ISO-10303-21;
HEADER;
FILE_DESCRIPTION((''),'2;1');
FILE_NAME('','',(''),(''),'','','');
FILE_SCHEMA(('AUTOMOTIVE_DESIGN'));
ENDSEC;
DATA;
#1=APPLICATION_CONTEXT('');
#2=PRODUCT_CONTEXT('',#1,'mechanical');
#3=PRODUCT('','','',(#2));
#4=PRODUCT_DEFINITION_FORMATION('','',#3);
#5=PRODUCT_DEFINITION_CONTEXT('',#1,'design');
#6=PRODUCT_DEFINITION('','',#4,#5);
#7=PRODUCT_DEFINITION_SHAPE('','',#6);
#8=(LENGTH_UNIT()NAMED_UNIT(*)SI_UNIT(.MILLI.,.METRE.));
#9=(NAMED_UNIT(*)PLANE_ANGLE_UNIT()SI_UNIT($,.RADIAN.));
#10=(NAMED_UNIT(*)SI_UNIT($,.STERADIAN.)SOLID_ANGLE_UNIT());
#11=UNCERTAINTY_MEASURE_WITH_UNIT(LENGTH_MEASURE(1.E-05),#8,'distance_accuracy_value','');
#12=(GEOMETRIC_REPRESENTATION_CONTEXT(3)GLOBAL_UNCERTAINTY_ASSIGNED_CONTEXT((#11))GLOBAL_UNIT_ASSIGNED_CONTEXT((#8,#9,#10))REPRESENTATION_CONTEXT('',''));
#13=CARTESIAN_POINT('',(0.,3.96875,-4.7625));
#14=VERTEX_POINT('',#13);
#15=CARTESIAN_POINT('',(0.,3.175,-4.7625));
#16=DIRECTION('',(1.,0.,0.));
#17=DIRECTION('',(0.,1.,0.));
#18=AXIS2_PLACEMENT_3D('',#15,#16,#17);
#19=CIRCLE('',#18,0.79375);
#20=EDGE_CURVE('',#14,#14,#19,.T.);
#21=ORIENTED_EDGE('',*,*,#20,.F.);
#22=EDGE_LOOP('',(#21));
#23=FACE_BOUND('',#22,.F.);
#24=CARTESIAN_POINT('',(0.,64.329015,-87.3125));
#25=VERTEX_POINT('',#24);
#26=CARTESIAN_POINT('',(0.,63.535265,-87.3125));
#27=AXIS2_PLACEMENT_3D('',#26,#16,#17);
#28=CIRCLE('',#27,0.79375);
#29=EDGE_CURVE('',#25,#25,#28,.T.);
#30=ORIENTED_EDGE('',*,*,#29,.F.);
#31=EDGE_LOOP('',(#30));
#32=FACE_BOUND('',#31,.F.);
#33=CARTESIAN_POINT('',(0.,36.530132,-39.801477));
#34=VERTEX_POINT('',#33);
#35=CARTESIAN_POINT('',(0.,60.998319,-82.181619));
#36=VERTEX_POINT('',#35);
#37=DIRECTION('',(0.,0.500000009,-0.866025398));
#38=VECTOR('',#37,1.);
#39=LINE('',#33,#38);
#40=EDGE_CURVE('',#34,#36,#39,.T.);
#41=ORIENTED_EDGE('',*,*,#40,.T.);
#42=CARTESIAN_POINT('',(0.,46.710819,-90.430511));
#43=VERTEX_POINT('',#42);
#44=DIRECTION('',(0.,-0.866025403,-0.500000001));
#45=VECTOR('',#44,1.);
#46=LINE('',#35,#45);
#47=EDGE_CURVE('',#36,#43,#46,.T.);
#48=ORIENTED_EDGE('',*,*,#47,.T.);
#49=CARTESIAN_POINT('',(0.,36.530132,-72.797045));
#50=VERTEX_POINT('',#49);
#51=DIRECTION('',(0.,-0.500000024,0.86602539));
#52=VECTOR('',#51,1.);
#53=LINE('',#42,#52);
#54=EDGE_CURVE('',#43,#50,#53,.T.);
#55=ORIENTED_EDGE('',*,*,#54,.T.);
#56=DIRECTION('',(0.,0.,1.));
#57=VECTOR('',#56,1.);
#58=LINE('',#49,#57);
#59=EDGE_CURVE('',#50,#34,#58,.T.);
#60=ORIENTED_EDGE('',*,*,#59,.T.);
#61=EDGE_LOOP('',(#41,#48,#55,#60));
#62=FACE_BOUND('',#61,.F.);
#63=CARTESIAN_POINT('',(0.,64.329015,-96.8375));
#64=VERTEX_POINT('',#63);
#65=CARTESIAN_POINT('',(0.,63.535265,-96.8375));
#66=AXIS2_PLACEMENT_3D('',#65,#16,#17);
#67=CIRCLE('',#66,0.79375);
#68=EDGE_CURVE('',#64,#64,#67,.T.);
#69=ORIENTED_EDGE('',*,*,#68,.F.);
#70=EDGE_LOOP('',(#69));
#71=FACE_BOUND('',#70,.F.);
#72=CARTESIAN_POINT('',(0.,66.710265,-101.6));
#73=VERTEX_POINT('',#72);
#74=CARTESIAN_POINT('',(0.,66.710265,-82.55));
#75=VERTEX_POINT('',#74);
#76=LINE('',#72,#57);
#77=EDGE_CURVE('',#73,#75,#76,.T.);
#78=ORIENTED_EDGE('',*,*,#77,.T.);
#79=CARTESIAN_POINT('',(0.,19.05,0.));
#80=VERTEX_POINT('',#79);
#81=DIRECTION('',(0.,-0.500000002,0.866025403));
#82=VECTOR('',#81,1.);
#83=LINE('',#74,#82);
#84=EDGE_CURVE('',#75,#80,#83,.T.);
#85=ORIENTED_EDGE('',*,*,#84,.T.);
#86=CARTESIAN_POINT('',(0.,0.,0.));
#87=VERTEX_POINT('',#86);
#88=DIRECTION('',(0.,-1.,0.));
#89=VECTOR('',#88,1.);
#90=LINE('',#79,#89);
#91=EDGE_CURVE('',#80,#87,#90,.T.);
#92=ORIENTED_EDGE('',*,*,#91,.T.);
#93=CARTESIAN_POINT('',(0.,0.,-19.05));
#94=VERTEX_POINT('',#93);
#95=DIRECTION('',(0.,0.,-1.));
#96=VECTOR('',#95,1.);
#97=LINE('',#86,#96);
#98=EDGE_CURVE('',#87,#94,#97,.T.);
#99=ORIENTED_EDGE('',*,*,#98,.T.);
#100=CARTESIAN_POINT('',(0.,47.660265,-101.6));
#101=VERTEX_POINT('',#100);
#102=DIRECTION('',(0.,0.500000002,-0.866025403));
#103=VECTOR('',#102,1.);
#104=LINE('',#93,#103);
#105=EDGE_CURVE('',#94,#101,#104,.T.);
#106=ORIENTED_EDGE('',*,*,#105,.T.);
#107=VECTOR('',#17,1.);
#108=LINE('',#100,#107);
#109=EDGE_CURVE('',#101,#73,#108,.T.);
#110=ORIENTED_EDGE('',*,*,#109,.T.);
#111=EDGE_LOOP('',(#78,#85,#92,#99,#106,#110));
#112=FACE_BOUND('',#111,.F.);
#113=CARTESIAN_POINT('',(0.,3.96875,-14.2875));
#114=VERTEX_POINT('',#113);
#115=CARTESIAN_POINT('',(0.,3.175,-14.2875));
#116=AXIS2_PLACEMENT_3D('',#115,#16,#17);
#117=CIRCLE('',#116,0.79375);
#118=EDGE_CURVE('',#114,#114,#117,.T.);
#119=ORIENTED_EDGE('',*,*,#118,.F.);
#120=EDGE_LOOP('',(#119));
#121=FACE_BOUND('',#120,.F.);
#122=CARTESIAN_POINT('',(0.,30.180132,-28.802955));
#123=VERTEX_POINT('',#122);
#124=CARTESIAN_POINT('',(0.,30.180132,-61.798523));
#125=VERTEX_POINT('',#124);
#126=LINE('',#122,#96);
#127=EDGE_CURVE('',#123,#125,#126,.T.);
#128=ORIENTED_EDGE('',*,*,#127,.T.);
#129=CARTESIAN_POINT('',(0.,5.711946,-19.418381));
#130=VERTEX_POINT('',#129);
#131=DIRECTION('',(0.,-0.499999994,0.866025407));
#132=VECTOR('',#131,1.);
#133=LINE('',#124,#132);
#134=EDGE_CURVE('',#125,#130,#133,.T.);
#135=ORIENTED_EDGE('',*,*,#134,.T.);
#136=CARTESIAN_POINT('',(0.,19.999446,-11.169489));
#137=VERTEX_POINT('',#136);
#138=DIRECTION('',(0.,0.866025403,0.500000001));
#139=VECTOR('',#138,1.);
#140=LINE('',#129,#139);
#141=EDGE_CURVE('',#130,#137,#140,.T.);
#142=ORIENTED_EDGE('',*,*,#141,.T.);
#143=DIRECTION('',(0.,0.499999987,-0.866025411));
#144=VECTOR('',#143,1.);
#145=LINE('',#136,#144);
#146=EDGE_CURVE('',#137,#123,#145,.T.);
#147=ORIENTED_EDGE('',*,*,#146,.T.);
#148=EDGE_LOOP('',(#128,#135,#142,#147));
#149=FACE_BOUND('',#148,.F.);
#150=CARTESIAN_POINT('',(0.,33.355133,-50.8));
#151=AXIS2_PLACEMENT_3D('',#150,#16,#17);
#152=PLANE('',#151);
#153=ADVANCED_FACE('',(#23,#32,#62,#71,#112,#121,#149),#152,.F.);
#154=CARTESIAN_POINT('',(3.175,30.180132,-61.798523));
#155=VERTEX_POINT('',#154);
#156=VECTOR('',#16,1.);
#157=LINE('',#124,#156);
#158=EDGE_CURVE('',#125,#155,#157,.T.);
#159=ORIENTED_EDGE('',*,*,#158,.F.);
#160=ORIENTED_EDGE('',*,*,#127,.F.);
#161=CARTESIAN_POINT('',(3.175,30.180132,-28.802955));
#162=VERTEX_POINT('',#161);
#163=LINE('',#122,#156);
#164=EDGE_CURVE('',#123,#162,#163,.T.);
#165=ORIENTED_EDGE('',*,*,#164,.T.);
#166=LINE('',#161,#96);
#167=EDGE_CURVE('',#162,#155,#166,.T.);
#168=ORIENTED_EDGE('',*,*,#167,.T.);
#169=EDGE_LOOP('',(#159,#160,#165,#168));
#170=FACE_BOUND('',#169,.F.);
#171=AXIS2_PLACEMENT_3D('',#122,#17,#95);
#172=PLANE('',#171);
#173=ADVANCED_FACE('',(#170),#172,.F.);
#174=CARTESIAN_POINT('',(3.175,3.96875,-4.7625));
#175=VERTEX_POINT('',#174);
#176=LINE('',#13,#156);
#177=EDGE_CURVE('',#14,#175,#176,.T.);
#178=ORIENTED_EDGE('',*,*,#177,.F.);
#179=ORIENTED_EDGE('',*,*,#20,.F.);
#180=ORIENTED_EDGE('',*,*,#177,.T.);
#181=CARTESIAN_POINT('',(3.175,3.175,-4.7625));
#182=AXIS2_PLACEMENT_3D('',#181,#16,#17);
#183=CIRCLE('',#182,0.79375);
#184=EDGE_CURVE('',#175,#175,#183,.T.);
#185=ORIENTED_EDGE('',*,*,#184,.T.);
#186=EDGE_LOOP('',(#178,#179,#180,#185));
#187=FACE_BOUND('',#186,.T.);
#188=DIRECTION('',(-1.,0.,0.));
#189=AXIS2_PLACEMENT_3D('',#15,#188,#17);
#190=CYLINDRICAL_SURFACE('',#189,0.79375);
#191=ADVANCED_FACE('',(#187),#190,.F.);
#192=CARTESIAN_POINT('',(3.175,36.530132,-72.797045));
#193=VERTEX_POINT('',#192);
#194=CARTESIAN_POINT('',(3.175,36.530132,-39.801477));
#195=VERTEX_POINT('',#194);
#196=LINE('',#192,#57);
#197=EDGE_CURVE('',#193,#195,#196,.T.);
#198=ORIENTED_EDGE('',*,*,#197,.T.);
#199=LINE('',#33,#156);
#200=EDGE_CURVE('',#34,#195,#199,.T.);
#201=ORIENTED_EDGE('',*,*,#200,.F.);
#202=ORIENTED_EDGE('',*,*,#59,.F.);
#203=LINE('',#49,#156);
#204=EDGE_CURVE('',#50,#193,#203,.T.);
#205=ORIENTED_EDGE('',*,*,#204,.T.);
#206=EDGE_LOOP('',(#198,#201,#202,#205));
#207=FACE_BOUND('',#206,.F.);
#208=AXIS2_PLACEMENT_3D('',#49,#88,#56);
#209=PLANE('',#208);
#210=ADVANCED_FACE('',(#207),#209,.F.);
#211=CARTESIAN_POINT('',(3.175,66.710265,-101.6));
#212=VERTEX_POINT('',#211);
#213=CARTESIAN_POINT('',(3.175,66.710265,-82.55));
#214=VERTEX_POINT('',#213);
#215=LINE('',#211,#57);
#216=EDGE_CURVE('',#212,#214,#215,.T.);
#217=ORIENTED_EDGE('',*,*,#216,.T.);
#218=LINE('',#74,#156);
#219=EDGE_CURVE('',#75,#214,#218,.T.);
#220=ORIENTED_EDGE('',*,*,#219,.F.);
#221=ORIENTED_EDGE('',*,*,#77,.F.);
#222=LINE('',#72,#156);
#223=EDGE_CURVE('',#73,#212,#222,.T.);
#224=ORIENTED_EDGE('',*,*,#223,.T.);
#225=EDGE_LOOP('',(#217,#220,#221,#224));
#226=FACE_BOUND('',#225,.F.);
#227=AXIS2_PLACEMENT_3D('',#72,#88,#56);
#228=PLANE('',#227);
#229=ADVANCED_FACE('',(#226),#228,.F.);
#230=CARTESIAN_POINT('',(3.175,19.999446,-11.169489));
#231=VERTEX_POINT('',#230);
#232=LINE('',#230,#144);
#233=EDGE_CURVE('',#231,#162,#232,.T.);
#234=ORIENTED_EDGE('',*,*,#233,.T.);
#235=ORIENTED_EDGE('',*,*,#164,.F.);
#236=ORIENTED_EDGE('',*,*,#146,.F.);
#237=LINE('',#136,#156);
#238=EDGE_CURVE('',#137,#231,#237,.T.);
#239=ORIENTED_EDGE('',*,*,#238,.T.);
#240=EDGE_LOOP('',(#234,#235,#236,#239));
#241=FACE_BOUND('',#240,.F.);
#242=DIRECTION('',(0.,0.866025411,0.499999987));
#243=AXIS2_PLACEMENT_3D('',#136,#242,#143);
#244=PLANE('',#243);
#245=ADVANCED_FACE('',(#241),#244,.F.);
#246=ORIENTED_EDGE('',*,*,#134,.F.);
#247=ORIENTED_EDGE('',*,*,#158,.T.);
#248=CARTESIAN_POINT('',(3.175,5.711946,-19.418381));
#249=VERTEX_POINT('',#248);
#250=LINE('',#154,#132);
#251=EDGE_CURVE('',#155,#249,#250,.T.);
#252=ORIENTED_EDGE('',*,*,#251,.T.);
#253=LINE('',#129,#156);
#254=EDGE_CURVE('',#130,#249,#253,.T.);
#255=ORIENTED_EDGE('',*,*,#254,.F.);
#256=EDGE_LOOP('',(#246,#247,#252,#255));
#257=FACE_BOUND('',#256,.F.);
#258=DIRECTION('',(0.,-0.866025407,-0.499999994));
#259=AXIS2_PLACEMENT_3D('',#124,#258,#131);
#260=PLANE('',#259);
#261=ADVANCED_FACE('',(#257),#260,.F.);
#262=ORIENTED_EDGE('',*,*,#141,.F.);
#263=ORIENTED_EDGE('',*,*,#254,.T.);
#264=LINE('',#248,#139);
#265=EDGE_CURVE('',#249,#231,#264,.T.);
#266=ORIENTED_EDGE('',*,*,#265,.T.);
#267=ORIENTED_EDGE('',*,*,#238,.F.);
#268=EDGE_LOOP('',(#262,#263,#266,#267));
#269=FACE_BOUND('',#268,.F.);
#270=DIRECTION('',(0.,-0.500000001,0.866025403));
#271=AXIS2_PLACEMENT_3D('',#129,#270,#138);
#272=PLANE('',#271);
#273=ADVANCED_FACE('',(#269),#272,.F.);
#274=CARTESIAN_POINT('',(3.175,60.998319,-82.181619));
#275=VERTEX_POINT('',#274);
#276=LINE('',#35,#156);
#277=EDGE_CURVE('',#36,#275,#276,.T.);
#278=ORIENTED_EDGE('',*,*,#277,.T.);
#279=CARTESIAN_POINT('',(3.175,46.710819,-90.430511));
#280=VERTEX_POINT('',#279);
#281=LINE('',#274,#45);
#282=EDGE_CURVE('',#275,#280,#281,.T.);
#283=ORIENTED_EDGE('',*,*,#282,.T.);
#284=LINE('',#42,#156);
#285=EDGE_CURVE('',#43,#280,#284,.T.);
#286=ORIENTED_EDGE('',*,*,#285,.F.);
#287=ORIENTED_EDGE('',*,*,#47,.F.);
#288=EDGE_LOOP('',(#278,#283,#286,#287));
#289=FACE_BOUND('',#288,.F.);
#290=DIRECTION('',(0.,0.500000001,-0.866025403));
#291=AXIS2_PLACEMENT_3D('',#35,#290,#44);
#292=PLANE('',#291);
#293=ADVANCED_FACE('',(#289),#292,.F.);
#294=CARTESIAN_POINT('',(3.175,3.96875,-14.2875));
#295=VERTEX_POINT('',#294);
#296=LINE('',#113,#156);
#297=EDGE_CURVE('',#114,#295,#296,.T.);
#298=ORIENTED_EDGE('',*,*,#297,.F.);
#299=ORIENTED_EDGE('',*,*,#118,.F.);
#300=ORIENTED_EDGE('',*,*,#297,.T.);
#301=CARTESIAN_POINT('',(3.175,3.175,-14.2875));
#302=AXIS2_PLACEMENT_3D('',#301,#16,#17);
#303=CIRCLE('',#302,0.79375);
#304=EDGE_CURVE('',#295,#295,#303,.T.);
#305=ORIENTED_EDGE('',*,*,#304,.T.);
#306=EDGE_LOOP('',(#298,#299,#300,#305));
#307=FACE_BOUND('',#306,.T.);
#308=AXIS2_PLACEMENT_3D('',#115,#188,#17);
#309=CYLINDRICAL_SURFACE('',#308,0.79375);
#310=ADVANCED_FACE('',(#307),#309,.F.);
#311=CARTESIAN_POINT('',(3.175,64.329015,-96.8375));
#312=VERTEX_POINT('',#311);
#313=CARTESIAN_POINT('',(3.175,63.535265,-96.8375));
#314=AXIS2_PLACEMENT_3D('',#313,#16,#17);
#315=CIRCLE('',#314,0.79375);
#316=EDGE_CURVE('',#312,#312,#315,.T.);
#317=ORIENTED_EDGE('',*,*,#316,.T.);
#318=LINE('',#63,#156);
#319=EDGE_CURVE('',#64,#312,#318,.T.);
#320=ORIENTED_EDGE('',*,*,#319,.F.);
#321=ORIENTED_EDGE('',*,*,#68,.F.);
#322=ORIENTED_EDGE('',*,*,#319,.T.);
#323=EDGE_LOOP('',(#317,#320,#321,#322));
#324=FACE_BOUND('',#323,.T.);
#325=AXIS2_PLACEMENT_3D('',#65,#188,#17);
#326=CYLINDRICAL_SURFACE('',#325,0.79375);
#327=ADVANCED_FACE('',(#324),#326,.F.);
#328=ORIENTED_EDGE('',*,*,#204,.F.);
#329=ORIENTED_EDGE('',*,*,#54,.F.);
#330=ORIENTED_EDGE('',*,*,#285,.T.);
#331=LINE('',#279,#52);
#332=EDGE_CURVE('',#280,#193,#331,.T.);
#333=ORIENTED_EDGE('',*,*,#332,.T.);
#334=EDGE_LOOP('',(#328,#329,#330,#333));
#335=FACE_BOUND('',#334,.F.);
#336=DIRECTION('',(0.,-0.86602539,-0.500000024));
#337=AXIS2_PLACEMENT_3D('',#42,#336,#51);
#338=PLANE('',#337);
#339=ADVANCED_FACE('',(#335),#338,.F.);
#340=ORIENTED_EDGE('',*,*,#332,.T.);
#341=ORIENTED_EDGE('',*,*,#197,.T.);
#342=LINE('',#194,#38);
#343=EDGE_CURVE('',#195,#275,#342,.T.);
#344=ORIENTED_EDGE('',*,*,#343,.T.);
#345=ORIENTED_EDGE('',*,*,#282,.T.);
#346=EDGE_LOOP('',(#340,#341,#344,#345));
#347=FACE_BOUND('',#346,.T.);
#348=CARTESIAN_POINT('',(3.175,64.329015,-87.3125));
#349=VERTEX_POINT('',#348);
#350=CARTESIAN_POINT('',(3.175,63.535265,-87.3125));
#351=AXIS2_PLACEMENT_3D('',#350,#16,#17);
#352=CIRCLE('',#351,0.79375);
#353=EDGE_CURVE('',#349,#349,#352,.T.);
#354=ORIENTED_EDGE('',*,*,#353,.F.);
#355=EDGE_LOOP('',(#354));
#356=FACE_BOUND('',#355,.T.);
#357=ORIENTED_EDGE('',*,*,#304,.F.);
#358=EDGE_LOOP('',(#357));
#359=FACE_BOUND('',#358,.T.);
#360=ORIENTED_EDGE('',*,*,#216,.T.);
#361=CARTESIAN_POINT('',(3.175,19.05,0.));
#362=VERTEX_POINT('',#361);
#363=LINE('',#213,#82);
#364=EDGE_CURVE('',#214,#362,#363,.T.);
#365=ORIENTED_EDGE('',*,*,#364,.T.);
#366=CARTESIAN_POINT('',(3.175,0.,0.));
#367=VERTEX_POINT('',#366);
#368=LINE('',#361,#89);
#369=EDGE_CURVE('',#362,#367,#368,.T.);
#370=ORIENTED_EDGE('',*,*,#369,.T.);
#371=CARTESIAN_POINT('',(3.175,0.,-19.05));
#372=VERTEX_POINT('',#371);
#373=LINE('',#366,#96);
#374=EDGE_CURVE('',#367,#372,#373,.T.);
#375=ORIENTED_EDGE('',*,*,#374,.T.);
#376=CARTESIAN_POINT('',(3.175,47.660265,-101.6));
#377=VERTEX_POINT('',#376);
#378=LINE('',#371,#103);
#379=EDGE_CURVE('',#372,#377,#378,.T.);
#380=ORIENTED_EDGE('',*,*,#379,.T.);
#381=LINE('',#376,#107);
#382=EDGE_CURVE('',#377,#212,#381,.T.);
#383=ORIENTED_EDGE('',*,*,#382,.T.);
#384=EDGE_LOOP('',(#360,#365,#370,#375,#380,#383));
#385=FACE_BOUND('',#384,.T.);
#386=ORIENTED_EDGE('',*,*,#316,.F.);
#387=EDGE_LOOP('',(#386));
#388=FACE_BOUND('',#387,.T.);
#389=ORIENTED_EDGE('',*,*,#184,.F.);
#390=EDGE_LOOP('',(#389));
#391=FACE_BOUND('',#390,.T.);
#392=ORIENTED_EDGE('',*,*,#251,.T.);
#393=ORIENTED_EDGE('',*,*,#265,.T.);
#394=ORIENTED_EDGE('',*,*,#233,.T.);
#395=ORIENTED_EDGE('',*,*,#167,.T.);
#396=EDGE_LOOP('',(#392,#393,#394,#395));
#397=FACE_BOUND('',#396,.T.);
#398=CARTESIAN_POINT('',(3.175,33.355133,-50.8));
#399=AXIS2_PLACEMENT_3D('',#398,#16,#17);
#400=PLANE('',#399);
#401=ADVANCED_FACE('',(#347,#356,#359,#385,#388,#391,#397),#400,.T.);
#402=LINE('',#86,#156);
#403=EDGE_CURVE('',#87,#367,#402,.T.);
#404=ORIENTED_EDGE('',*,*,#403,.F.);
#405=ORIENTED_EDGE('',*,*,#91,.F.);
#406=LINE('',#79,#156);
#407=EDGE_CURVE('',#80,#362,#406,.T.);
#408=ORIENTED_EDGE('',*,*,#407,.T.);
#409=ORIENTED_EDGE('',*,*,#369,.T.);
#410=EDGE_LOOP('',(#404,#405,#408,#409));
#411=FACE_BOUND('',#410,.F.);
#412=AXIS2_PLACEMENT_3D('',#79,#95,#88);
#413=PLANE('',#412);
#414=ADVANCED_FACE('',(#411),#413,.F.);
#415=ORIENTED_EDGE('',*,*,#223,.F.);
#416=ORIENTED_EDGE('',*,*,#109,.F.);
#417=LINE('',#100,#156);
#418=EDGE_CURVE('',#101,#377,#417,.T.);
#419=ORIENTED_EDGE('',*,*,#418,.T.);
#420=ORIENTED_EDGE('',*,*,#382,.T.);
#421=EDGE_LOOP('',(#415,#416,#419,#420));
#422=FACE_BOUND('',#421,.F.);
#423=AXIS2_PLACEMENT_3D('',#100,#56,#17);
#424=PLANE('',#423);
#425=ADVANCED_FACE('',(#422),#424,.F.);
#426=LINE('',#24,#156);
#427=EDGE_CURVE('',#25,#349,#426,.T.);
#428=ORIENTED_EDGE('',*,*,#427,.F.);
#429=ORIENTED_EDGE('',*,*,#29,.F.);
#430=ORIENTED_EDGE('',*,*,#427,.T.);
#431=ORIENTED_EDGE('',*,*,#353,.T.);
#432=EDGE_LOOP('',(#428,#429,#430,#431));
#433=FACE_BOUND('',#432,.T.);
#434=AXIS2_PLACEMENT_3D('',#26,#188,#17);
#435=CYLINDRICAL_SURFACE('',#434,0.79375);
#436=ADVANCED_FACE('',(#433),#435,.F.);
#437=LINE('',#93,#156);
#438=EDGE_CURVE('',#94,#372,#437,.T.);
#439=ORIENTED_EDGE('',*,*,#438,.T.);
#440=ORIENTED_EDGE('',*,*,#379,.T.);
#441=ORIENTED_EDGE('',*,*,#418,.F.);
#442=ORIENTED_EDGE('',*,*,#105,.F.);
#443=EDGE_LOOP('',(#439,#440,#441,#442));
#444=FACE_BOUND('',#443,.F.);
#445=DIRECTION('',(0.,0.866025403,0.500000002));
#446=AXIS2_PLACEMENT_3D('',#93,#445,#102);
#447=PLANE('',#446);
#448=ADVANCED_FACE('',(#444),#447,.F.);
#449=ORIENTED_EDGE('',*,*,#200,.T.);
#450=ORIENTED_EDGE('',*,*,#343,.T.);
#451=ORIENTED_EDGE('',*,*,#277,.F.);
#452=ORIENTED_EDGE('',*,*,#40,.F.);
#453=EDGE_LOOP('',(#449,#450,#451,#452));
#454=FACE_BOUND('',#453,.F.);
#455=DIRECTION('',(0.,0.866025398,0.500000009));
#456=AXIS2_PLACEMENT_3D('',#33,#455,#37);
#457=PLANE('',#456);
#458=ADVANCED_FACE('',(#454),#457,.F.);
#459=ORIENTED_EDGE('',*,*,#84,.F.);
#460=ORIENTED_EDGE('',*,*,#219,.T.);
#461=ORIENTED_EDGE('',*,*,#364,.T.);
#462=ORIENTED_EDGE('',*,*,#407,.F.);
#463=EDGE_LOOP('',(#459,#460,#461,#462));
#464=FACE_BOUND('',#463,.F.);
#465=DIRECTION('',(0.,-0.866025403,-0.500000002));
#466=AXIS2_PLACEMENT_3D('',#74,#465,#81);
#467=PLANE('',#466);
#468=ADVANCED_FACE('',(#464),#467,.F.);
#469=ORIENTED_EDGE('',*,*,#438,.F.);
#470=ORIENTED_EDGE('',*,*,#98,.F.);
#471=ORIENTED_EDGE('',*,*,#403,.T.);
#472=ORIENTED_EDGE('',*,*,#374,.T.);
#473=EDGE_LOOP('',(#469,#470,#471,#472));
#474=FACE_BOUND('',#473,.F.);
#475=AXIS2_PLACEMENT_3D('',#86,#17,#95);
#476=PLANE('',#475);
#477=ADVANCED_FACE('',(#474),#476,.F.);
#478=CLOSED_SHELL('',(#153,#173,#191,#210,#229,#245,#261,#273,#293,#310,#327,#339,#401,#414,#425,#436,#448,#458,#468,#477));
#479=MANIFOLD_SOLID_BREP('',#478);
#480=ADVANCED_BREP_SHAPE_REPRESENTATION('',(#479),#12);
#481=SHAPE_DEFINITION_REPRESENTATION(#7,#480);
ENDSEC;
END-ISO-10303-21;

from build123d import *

# Parameters (mm, degrees)
F0_R     = 0.79375
F1_DEPTH = 3.175


with BuildPart() as f1:
    # F0 (on Right) → F1 (new body)
    with BuildSketch(Plane.YZ):
        Polygon((19.05, 0), (0, 0), (0, -19.05), (47.660265, -101.6), (66.710265, -101.6), (66.710265, -82.55), align=None)
        with Locations((63.535265, -96.8375)):
            Circle(F0_R, mode=Mode.SUBTRACT)
        with Locations((63.535265, -87.3125)):
            Circle(F0_R, mode=Mode.SUBTRACT)
        Polygon((36.530132, -72.797045), (36.530132, -39.801477), (60.998319, -82.181619), (46.710819, -90.430511), align=None, mode=Mode.SUBTRACT)
        Polygon((30.180132, -61.798523), (5.711946, -19.418381), (19.999446, -11.169489), (30.180132, -28.802955), align=None, mode=Mode.SUBTRACT)
        with Locations((3.175, -14.2875)):
            Circle(F0_R, mode=Mode.SUBTRACT)
        with Locations((3.175, -4.7625)):
            Circle(F0_R, mode=Mode.SUBTRACT)
    extrude(amount=F1_DEPTH)


solid = f1.part
